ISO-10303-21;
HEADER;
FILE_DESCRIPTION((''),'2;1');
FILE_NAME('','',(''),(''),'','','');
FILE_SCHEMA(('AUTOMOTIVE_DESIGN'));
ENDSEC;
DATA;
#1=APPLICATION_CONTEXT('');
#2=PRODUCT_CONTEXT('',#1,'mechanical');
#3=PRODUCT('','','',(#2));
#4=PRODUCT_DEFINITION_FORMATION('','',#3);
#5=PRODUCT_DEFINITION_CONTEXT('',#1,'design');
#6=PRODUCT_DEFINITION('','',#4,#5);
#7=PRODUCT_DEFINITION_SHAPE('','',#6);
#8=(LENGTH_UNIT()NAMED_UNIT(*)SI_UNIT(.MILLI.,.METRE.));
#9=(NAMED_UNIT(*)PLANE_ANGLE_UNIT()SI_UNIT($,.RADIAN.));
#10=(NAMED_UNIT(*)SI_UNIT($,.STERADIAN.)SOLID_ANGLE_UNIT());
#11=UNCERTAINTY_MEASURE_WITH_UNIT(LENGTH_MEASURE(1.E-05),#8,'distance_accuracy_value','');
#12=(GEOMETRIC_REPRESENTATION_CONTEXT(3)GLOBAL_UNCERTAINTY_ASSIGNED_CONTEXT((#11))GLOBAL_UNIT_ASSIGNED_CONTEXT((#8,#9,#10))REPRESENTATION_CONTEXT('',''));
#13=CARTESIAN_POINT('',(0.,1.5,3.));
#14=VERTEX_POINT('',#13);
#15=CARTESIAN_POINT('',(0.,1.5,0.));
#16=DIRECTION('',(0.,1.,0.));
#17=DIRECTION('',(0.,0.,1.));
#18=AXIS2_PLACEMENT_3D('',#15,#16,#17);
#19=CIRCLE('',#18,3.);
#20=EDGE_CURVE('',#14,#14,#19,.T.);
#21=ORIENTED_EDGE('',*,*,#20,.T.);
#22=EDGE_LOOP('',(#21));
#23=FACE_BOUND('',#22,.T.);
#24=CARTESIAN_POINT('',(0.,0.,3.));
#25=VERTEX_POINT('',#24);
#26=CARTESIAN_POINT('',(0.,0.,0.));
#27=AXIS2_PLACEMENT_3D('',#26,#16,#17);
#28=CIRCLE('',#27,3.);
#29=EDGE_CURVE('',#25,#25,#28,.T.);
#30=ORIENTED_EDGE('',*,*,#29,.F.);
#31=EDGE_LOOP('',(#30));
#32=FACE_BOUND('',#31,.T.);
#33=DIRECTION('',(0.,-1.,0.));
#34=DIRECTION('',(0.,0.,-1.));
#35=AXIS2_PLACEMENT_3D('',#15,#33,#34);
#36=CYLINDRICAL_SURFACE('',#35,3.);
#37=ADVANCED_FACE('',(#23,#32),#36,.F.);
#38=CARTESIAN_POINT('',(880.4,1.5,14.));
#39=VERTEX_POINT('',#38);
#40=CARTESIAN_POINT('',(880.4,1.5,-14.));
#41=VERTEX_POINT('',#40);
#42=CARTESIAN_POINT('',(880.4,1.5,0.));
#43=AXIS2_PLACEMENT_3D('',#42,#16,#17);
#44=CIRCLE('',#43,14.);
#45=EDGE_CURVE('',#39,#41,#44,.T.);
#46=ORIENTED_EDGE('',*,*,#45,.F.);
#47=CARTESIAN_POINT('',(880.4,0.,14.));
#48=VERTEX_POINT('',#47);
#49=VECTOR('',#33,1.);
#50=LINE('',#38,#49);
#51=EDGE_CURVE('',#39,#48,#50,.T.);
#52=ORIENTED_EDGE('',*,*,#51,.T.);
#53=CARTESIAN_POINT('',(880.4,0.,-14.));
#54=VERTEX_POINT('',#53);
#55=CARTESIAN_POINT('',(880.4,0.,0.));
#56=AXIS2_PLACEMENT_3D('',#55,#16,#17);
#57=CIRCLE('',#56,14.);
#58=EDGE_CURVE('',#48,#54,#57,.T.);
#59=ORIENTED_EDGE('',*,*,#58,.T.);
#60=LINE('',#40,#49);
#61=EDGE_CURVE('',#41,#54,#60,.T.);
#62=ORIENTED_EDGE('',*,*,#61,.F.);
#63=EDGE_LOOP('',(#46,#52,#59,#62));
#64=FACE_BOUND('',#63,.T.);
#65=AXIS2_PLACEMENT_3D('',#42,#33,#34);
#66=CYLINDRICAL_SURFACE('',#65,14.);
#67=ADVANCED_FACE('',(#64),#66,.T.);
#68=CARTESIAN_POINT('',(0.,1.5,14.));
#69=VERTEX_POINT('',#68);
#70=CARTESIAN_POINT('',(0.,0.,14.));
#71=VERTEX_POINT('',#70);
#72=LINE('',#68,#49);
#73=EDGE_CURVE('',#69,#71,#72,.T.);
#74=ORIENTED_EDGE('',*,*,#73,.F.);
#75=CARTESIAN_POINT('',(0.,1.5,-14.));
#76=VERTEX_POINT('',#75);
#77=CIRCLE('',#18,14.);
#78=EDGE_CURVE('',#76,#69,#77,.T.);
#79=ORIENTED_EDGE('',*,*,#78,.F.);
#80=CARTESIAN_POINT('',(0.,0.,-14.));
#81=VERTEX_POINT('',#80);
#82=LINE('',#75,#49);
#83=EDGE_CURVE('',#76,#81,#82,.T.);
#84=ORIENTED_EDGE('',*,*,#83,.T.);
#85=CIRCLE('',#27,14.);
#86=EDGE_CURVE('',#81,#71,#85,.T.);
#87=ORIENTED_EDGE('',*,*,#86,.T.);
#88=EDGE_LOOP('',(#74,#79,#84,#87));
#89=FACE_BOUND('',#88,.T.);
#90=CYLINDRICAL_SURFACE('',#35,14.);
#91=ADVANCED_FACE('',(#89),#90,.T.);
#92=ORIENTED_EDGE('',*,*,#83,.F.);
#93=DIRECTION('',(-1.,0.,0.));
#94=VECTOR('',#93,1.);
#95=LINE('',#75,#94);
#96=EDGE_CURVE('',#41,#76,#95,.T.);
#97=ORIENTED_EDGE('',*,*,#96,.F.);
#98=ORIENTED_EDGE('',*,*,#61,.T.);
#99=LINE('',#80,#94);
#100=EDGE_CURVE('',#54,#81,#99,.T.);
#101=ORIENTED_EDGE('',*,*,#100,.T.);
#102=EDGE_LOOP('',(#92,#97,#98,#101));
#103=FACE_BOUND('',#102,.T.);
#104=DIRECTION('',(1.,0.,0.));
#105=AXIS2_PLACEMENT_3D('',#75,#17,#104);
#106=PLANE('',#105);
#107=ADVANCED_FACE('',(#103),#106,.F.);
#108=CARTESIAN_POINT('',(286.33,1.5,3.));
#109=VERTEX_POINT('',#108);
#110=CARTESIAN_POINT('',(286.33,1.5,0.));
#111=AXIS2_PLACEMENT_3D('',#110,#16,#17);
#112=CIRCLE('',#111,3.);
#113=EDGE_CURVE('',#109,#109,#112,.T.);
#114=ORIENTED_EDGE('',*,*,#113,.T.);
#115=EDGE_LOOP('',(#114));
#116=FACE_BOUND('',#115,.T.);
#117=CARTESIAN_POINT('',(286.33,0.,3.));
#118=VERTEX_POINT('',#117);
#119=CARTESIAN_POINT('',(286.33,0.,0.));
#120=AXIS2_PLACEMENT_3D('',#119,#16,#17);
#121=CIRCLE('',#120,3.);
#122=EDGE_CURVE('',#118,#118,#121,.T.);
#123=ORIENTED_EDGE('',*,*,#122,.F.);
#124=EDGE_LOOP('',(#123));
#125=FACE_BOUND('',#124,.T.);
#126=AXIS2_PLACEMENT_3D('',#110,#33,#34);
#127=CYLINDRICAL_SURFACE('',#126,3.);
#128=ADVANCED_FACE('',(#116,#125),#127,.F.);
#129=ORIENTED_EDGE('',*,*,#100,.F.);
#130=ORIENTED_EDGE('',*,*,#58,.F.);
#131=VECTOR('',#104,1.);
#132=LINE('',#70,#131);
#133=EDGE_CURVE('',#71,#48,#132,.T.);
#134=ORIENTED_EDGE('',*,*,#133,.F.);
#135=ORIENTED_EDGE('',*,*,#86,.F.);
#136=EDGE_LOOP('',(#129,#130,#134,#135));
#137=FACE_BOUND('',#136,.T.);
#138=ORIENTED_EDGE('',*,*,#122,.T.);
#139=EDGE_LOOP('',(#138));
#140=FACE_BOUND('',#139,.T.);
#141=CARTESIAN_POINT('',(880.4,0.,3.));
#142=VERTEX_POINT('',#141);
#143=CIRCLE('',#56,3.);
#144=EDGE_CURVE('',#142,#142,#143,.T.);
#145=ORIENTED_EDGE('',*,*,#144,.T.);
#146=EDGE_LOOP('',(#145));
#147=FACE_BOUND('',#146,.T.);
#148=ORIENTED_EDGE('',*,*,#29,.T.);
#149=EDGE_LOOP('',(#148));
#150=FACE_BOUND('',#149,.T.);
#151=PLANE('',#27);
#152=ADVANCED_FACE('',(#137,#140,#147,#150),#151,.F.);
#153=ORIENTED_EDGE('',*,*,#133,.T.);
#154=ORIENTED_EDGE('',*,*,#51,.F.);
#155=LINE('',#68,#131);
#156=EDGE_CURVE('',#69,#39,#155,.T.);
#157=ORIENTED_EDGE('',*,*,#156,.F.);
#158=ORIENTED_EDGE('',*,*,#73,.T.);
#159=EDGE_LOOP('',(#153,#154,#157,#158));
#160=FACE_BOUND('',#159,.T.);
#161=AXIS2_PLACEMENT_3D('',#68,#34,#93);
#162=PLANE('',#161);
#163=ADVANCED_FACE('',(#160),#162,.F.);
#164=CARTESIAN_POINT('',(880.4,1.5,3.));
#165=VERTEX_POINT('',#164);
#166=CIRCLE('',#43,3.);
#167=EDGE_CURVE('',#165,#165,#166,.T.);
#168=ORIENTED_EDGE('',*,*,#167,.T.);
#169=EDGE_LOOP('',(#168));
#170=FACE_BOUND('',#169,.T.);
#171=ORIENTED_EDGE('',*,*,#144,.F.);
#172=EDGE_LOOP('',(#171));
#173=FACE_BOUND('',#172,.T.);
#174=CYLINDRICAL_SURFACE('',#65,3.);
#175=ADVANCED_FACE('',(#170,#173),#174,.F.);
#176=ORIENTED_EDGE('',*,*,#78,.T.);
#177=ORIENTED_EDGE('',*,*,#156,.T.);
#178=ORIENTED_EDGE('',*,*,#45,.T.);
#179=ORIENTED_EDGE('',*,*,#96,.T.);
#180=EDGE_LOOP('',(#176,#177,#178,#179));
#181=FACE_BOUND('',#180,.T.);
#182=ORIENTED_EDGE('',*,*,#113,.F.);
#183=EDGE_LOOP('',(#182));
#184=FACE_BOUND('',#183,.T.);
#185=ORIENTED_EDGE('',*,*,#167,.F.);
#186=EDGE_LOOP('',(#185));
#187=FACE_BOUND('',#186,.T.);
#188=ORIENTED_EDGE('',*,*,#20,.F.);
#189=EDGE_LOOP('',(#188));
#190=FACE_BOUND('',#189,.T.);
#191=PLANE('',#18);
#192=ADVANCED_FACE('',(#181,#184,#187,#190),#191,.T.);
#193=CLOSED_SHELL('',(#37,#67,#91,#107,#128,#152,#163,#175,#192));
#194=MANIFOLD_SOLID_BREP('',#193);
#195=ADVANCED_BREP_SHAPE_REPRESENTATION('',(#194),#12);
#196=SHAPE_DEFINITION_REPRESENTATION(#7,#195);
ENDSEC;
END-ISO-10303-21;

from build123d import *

# Parameters (mm, degrees)
SKETCH1_R           = 3
BOSS_EXTRUDE1_DEPTH = 1.5


with BuildPart() as part:
    # Sketch1 → Boss-Extrude1 (new body)
    with BuildSketch(Plane(origin=(0, 0, 0), x_dir=(1, 0, 0), z_dir=(0, 1, 0))):
        with BuildLine():
            Line((0, 14), (880.4, 14))
            ThreePointArc((880.4, 14), (894.4, 0), (880.4, -14))
            Line((880.4, -14), (0, -14))
            ThreePointArc((0, -14), (-14, 0), (0, 14))
        make_face()
        with Locations((880.4, 0)):
            Circle(SKETCH1_R, mode=Mode.SUBTRACT)
        Circle(SKETCH1_R, mode=Mode.SUBTRACT)
        with Locations((286.33, 0)):
            Circle(SKETCH1_R, mode=Mode.SUBTRACT)
    extrude(amount=BOSS_EXTRUDE1_DEPTH)


solid = part.part
